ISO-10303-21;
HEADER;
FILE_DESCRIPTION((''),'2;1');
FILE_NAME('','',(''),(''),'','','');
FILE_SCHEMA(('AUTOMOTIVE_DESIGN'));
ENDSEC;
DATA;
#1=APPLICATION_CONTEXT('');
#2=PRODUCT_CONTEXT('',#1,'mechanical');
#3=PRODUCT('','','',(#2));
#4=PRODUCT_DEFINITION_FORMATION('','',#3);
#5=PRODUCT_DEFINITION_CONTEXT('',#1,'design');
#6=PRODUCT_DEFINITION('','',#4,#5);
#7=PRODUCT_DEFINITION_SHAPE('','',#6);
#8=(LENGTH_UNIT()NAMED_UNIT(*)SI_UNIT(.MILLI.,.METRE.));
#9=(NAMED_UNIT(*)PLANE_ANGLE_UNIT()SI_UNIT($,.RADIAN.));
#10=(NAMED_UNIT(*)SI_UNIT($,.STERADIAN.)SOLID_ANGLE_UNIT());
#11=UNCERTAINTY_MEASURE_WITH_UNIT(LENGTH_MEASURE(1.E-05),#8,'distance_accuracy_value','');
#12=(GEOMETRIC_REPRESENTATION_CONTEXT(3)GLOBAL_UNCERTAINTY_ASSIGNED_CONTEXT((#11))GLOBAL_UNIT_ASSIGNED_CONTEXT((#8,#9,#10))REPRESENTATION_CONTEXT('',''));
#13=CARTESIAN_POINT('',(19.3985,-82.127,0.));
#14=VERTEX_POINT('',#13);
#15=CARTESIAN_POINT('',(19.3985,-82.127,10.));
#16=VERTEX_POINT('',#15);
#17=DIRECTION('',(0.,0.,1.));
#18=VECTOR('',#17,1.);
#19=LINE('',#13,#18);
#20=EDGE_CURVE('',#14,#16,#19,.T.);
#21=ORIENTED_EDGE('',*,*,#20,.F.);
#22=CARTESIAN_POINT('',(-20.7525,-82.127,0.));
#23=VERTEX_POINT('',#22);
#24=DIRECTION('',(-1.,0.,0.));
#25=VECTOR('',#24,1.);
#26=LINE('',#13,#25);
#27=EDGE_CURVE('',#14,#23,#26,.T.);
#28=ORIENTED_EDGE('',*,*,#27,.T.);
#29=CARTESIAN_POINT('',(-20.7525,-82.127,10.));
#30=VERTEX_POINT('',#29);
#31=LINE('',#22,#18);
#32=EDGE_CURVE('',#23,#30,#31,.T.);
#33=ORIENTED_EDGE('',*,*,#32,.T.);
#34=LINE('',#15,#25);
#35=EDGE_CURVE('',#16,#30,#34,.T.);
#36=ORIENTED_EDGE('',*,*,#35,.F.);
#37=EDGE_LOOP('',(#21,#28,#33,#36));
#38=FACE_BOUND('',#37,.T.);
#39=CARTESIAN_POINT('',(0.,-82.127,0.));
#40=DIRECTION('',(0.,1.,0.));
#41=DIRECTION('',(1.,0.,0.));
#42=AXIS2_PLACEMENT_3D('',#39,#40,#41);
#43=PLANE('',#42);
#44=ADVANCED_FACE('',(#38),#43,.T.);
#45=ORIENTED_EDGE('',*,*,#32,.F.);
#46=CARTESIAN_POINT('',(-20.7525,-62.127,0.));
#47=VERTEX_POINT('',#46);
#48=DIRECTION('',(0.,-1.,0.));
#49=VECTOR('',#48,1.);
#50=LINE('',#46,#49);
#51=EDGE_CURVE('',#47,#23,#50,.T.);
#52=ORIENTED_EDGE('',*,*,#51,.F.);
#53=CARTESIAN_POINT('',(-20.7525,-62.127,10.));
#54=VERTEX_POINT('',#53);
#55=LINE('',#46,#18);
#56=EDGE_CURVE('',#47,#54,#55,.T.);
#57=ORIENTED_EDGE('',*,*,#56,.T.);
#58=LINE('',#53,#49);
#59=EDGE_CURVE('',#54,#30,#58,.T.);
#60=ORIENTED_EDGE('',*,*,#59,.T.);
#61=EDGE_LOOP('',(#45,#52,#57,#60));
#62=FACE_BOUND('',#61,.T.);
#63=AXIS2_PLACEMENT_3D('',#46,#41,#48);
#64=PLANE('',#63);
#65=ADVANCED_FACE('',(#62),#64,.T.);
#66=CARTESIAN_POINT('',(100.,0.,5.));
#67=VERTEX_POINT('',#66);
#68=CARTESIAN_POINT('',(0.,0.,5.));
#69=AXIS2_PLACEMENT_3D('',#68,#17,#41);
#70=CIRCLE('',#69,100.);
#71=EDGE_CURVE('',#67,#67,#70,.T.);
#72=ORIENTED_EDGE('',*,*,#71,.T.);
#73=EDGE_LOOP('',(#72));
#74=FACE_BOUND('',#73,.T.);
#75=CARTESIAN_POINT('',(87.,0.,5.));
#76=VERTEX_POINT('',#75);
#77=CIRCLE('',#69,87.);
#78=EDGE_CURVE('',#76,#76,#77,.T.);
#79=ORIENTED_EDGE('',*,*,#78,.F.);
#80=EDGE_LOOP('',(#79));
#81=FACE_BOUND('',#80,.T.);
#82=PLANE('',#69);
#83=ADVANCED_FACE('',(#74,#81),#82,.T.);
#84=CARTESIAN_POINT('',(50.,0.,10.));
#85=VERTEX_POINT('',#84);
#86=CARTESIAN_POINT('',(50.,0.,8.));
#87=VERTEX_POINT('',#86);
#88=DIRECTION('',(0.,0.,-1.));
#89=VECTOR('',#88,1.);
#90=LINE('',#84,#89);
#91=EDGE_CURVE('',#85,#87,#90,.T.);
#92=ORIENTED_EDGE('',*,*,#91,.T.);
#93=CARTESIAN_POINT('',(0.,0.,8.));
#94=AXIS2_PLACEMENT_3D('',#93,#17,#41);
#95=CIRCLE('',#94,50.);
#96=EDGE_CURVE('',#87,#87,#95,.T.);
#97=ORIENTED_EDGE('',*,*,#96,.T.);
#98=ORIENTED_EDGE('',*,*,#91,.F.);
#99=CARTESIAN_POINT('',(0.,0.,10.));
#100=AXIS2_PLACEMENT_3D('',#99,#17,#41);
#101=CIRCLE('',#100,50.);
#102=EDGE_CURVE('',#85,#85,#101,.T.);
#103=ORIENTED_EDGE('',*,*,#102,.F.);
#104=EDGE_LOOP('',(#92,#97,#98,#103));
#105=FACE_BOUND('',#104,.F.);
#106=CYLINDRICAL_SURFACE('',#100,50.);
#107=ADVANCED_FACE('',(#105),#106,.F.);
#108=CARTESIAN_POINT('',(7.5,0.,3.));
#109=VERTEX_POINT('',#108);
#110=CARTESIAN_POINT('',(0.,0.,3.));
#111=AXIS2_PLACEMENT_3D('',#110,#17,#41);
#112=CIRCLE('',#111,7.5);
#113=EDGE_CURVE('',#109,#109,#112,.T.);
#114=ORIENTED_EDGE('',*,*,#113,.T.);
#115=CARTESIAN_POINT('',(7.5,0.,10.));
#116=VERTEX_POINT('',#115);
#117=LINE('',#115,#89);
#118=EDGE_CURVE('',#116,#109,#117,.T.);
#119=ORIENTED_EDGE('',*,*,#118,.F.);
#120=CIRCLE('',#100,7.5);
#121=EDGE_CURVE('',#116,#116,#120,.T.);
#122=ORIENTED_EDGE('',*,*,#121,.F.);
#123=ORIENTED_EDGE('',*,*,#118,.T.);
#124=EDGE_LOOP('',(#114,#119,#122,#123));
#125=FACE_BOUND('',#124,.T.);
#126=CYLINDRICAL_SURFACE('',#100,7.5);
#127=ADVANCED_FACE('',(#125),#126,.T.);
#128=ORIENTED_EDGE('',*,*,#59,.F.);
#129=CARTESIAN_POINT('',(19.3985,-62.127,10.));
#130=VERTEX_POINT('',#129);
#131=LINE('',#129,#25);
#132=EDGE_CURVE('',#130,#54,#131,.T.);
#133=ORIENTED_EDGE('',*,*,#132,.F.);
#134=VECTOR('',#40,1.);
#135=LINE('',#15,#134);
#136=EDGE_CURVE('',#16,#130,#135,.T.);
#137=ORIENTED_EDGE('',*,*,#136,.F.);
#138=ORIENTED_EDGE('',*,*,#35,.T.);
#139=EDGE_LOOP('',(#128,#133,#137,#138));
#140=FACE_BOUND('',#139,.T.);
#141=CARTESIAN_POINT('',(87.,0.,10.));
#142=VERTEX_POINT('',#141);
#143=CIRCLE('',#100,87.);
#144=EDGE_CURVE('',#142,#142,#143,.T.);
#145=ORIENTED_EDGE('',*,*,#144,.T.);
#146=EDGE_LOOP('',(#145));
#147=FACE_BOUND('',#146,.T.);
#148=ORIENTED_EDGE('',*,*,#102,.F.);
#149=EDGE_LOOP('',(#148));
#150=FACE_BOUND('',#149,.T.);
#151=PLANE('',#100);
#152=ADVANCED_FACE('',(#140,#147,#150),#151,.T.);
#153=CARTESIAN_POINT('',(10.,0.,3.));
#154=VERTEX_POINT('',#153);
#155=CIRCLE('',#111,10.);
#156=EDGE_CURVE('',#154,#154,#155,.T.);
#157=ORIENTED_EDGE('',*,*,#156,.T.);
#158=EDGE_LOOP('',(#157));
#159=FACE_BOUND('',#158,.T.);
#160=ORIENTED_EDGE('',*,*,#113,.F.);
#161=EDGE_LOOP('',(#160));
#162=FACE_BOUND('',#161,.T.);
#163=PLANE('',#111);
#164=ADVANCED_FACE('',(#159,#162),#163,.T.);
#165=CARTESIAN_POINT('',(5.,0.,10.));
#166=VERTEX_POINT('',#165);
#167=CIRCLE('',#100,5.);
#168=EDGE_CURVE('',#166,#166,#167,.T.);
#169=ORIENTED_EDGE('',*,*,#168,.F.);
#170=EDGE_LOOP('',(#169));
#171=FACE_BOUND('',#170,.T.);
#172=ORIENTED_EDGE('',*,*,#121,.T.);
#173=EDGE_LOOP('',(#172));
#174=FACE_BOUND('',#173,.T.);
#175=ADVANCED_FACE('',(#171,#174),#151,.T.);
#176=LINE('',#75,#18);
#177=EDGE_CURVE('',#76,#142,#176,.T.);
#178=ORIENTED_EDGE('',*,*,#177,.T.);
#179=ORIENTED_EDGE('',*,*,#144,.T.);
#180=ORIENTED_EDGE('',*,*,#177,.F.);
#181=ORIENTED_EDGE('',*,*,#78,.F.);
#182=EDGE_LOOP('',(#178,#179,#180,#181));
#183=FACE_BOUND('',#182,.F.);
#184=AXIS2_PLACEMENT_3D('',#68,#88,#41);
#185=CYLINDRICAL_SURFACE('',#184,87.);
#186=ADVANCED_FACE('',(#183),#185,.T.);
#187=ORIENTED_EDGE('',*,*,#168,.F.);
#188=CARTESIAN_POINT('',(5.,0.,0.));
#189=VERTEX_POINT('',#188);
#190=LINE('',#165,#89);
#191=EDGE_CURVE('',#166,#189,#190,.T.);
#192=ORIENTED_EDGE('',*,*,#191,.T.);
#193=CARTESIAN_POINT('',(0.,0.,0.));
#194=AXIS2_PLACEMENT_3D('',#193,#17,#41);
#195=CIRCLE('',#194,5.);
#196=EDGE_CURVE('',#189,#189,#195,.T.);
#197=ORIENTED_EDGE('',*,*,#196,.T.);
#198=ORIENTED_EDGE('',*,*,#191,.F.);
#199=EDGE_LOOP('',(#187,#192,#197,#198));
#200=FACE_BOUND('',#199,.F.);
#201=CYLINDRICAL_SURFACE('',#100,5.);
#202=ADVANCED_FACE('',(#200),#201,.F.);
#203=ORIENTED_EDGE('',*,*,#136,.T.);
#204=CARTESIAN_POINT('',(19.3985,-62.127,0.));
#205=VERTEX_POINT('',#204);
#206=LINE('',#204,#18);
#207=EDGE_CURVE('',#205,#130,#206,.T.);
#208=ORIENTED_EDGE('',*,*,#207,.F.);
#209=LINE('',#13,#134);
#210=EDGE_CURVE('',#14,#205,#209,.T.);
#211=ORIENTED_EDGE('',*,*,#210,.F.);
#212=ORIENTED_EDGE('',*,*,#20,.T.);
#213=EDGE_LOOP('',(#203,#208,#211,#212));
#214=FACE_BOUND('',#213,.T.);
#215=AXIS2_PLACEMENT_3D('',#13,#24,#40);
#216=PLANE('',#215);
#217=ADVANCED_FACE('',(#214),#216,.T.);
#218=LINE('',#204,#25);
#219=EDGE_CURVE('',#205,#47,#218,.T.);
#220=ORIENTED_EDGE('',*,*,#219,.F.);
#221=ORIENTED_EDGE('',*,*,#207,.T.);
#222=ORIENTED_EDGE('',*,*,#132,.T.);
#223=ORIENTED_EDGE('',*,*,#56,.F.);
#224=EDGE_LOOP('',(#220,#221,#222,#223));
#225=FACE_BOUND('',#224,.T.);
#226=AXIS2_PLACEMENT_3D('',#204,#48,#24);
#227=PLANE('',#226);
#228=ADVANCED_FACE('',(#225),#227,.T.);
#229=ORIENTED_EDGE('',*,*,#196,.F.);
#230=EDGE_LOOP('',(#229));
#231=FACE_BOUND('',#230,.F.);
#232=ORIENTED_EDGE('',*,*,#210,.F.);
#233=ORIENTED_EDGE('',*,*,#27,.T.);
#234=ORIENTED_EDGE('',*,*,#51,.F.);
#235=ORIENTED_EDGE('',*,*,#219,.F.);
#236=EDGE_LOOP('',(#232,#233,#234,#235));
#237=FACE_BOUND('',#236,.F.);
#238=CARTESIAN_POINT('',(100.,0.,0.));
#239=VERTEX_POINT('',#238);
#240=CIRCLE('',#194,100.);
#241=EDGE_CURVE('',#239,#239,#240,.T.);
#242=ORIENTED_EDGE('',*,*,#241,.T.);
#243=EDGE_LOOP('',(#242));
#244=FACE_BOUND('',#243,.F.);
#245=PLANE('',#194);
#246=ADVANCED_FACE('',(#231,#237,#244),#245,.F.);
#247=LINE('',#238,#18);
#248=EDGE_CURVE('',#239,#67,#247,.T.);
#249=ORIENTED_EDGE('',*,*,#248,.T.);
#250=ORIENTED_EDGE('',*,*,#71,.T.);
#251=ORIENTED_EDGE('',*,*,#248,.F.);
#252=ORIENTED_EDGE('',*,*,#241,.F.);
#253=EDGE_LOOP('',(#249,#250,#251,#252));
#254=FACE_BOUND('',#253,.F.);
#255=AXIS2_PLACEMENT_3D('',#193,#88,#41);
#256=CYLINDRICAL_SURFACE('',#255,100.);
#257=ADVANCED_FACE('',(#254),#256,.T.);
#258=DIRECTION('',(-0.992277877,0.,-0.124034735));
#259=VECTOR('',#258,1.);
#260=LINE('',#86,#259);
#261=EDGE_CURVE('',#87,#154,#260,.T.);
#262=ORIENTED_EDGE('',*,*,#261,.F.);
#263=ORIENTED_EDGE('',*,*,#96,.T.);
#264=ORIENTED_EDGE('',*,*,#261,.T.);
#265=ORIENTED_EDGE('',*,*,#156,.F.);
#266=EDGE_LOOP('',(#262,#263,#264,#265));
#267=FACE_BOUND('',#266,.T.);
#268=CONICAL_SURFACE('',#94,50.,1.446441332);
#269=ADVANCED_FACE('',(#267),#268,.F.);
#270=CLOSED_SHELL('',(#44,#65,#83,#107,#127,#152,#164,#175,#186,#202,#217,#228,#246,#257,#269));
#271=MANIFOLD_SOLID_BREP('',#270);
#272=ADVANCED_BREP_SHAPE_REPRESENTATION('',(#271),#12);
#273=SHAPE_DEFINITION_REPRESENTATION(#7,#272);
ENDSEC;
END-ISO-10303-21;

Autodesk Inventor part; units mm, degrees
ref_plane "YZ Plane" through (0, 0, 0) normal (1, 0, 0) x (0, 1, 0)
ref_plane "XZ Plane" through (0, 0, 0) normal (0, 1, 0) x (-1, 0, 0)
ref_plane "XY Plane" through (0, 0, 0) normal (0, 0, 1) x (1, 0, 0)
sketch "Sketch1" plane through (0, 0, 0) normal (0, 0, 1) x (1, 0, 0)
  circle A0 centre (0, 0) radius 100
  dimension "d0" = 200
extrude "Extrusion1" add sketch "Sketch1" along normal blind 5
sketch "Sketch2" plane through (0, 0, 5) normal (0, 0, 1) x (1, 0, 0)
  circle A0 centre (0, 0) radius 87
  dimension "d3" = 174
extrude "Extrusion2" add sketch "Sketch2" along normal blind 5
sketch "Sketch3" plane through (0, 0, 10) normal (0, 0, 1) x (1, 0, 0)
  circle A0 centre (0, 0) radius 5
  dimension "d6" = 10
extrude "Extrusion3" cut sketch "Sketch3" against normal blind 10
sketch "Sketch4" plane through (0, 0, 10) normal (0, 0, 1) x (1, 0, 0)
  circle A0 centre (0, 0) radius 7.5
  circle A1 centre (0, 0) radius 5 projected
  circle A2 centre (0, 0) radius 50
  dimension "d9" = 15
  dimension "d10" = 100
extrude "Extrusion4" cut sketch "Sketch4" against normal blind 7 contours A2
chamfer "Chamfer1" distance 5 distance2 40 1 edges at (-50, 0, 3) measured on face at (-30.4381, 39.6677, 7.6667)
sketch "Sketch10" plane through (0, 0, 0) normal (0, 0, -1) x (-1, 0, 0)
  circle A0 centre (0, 0) radius 100 projected
  line L0 (0, -100) -> (0, -82.127)
  line L1 (0, -82.127) -> (20.7525, -82.127)
  line L2 (20.7525, -82.127) -> (-19.3985, -82.127)
  line L3 (-19.3985, -82.127) -> (-19.3985, -62.127)
  line L4 (-19.3985, -62.127) -> (20.7525, -62.127)
  line L5 (20.7525, -62.127) -> (20.7525, -82.127)
  dimension "d52" = 17.873
  dimension "d53" = 20.7525
  dimension "d54" = 40.151
  dimension "d55" = 20
extrude "Extrusion10" cut sketch "Sketch10" against normal blind 10 contours L2 L3 L4 L5 L1
properties part number "Rotating Plate"
